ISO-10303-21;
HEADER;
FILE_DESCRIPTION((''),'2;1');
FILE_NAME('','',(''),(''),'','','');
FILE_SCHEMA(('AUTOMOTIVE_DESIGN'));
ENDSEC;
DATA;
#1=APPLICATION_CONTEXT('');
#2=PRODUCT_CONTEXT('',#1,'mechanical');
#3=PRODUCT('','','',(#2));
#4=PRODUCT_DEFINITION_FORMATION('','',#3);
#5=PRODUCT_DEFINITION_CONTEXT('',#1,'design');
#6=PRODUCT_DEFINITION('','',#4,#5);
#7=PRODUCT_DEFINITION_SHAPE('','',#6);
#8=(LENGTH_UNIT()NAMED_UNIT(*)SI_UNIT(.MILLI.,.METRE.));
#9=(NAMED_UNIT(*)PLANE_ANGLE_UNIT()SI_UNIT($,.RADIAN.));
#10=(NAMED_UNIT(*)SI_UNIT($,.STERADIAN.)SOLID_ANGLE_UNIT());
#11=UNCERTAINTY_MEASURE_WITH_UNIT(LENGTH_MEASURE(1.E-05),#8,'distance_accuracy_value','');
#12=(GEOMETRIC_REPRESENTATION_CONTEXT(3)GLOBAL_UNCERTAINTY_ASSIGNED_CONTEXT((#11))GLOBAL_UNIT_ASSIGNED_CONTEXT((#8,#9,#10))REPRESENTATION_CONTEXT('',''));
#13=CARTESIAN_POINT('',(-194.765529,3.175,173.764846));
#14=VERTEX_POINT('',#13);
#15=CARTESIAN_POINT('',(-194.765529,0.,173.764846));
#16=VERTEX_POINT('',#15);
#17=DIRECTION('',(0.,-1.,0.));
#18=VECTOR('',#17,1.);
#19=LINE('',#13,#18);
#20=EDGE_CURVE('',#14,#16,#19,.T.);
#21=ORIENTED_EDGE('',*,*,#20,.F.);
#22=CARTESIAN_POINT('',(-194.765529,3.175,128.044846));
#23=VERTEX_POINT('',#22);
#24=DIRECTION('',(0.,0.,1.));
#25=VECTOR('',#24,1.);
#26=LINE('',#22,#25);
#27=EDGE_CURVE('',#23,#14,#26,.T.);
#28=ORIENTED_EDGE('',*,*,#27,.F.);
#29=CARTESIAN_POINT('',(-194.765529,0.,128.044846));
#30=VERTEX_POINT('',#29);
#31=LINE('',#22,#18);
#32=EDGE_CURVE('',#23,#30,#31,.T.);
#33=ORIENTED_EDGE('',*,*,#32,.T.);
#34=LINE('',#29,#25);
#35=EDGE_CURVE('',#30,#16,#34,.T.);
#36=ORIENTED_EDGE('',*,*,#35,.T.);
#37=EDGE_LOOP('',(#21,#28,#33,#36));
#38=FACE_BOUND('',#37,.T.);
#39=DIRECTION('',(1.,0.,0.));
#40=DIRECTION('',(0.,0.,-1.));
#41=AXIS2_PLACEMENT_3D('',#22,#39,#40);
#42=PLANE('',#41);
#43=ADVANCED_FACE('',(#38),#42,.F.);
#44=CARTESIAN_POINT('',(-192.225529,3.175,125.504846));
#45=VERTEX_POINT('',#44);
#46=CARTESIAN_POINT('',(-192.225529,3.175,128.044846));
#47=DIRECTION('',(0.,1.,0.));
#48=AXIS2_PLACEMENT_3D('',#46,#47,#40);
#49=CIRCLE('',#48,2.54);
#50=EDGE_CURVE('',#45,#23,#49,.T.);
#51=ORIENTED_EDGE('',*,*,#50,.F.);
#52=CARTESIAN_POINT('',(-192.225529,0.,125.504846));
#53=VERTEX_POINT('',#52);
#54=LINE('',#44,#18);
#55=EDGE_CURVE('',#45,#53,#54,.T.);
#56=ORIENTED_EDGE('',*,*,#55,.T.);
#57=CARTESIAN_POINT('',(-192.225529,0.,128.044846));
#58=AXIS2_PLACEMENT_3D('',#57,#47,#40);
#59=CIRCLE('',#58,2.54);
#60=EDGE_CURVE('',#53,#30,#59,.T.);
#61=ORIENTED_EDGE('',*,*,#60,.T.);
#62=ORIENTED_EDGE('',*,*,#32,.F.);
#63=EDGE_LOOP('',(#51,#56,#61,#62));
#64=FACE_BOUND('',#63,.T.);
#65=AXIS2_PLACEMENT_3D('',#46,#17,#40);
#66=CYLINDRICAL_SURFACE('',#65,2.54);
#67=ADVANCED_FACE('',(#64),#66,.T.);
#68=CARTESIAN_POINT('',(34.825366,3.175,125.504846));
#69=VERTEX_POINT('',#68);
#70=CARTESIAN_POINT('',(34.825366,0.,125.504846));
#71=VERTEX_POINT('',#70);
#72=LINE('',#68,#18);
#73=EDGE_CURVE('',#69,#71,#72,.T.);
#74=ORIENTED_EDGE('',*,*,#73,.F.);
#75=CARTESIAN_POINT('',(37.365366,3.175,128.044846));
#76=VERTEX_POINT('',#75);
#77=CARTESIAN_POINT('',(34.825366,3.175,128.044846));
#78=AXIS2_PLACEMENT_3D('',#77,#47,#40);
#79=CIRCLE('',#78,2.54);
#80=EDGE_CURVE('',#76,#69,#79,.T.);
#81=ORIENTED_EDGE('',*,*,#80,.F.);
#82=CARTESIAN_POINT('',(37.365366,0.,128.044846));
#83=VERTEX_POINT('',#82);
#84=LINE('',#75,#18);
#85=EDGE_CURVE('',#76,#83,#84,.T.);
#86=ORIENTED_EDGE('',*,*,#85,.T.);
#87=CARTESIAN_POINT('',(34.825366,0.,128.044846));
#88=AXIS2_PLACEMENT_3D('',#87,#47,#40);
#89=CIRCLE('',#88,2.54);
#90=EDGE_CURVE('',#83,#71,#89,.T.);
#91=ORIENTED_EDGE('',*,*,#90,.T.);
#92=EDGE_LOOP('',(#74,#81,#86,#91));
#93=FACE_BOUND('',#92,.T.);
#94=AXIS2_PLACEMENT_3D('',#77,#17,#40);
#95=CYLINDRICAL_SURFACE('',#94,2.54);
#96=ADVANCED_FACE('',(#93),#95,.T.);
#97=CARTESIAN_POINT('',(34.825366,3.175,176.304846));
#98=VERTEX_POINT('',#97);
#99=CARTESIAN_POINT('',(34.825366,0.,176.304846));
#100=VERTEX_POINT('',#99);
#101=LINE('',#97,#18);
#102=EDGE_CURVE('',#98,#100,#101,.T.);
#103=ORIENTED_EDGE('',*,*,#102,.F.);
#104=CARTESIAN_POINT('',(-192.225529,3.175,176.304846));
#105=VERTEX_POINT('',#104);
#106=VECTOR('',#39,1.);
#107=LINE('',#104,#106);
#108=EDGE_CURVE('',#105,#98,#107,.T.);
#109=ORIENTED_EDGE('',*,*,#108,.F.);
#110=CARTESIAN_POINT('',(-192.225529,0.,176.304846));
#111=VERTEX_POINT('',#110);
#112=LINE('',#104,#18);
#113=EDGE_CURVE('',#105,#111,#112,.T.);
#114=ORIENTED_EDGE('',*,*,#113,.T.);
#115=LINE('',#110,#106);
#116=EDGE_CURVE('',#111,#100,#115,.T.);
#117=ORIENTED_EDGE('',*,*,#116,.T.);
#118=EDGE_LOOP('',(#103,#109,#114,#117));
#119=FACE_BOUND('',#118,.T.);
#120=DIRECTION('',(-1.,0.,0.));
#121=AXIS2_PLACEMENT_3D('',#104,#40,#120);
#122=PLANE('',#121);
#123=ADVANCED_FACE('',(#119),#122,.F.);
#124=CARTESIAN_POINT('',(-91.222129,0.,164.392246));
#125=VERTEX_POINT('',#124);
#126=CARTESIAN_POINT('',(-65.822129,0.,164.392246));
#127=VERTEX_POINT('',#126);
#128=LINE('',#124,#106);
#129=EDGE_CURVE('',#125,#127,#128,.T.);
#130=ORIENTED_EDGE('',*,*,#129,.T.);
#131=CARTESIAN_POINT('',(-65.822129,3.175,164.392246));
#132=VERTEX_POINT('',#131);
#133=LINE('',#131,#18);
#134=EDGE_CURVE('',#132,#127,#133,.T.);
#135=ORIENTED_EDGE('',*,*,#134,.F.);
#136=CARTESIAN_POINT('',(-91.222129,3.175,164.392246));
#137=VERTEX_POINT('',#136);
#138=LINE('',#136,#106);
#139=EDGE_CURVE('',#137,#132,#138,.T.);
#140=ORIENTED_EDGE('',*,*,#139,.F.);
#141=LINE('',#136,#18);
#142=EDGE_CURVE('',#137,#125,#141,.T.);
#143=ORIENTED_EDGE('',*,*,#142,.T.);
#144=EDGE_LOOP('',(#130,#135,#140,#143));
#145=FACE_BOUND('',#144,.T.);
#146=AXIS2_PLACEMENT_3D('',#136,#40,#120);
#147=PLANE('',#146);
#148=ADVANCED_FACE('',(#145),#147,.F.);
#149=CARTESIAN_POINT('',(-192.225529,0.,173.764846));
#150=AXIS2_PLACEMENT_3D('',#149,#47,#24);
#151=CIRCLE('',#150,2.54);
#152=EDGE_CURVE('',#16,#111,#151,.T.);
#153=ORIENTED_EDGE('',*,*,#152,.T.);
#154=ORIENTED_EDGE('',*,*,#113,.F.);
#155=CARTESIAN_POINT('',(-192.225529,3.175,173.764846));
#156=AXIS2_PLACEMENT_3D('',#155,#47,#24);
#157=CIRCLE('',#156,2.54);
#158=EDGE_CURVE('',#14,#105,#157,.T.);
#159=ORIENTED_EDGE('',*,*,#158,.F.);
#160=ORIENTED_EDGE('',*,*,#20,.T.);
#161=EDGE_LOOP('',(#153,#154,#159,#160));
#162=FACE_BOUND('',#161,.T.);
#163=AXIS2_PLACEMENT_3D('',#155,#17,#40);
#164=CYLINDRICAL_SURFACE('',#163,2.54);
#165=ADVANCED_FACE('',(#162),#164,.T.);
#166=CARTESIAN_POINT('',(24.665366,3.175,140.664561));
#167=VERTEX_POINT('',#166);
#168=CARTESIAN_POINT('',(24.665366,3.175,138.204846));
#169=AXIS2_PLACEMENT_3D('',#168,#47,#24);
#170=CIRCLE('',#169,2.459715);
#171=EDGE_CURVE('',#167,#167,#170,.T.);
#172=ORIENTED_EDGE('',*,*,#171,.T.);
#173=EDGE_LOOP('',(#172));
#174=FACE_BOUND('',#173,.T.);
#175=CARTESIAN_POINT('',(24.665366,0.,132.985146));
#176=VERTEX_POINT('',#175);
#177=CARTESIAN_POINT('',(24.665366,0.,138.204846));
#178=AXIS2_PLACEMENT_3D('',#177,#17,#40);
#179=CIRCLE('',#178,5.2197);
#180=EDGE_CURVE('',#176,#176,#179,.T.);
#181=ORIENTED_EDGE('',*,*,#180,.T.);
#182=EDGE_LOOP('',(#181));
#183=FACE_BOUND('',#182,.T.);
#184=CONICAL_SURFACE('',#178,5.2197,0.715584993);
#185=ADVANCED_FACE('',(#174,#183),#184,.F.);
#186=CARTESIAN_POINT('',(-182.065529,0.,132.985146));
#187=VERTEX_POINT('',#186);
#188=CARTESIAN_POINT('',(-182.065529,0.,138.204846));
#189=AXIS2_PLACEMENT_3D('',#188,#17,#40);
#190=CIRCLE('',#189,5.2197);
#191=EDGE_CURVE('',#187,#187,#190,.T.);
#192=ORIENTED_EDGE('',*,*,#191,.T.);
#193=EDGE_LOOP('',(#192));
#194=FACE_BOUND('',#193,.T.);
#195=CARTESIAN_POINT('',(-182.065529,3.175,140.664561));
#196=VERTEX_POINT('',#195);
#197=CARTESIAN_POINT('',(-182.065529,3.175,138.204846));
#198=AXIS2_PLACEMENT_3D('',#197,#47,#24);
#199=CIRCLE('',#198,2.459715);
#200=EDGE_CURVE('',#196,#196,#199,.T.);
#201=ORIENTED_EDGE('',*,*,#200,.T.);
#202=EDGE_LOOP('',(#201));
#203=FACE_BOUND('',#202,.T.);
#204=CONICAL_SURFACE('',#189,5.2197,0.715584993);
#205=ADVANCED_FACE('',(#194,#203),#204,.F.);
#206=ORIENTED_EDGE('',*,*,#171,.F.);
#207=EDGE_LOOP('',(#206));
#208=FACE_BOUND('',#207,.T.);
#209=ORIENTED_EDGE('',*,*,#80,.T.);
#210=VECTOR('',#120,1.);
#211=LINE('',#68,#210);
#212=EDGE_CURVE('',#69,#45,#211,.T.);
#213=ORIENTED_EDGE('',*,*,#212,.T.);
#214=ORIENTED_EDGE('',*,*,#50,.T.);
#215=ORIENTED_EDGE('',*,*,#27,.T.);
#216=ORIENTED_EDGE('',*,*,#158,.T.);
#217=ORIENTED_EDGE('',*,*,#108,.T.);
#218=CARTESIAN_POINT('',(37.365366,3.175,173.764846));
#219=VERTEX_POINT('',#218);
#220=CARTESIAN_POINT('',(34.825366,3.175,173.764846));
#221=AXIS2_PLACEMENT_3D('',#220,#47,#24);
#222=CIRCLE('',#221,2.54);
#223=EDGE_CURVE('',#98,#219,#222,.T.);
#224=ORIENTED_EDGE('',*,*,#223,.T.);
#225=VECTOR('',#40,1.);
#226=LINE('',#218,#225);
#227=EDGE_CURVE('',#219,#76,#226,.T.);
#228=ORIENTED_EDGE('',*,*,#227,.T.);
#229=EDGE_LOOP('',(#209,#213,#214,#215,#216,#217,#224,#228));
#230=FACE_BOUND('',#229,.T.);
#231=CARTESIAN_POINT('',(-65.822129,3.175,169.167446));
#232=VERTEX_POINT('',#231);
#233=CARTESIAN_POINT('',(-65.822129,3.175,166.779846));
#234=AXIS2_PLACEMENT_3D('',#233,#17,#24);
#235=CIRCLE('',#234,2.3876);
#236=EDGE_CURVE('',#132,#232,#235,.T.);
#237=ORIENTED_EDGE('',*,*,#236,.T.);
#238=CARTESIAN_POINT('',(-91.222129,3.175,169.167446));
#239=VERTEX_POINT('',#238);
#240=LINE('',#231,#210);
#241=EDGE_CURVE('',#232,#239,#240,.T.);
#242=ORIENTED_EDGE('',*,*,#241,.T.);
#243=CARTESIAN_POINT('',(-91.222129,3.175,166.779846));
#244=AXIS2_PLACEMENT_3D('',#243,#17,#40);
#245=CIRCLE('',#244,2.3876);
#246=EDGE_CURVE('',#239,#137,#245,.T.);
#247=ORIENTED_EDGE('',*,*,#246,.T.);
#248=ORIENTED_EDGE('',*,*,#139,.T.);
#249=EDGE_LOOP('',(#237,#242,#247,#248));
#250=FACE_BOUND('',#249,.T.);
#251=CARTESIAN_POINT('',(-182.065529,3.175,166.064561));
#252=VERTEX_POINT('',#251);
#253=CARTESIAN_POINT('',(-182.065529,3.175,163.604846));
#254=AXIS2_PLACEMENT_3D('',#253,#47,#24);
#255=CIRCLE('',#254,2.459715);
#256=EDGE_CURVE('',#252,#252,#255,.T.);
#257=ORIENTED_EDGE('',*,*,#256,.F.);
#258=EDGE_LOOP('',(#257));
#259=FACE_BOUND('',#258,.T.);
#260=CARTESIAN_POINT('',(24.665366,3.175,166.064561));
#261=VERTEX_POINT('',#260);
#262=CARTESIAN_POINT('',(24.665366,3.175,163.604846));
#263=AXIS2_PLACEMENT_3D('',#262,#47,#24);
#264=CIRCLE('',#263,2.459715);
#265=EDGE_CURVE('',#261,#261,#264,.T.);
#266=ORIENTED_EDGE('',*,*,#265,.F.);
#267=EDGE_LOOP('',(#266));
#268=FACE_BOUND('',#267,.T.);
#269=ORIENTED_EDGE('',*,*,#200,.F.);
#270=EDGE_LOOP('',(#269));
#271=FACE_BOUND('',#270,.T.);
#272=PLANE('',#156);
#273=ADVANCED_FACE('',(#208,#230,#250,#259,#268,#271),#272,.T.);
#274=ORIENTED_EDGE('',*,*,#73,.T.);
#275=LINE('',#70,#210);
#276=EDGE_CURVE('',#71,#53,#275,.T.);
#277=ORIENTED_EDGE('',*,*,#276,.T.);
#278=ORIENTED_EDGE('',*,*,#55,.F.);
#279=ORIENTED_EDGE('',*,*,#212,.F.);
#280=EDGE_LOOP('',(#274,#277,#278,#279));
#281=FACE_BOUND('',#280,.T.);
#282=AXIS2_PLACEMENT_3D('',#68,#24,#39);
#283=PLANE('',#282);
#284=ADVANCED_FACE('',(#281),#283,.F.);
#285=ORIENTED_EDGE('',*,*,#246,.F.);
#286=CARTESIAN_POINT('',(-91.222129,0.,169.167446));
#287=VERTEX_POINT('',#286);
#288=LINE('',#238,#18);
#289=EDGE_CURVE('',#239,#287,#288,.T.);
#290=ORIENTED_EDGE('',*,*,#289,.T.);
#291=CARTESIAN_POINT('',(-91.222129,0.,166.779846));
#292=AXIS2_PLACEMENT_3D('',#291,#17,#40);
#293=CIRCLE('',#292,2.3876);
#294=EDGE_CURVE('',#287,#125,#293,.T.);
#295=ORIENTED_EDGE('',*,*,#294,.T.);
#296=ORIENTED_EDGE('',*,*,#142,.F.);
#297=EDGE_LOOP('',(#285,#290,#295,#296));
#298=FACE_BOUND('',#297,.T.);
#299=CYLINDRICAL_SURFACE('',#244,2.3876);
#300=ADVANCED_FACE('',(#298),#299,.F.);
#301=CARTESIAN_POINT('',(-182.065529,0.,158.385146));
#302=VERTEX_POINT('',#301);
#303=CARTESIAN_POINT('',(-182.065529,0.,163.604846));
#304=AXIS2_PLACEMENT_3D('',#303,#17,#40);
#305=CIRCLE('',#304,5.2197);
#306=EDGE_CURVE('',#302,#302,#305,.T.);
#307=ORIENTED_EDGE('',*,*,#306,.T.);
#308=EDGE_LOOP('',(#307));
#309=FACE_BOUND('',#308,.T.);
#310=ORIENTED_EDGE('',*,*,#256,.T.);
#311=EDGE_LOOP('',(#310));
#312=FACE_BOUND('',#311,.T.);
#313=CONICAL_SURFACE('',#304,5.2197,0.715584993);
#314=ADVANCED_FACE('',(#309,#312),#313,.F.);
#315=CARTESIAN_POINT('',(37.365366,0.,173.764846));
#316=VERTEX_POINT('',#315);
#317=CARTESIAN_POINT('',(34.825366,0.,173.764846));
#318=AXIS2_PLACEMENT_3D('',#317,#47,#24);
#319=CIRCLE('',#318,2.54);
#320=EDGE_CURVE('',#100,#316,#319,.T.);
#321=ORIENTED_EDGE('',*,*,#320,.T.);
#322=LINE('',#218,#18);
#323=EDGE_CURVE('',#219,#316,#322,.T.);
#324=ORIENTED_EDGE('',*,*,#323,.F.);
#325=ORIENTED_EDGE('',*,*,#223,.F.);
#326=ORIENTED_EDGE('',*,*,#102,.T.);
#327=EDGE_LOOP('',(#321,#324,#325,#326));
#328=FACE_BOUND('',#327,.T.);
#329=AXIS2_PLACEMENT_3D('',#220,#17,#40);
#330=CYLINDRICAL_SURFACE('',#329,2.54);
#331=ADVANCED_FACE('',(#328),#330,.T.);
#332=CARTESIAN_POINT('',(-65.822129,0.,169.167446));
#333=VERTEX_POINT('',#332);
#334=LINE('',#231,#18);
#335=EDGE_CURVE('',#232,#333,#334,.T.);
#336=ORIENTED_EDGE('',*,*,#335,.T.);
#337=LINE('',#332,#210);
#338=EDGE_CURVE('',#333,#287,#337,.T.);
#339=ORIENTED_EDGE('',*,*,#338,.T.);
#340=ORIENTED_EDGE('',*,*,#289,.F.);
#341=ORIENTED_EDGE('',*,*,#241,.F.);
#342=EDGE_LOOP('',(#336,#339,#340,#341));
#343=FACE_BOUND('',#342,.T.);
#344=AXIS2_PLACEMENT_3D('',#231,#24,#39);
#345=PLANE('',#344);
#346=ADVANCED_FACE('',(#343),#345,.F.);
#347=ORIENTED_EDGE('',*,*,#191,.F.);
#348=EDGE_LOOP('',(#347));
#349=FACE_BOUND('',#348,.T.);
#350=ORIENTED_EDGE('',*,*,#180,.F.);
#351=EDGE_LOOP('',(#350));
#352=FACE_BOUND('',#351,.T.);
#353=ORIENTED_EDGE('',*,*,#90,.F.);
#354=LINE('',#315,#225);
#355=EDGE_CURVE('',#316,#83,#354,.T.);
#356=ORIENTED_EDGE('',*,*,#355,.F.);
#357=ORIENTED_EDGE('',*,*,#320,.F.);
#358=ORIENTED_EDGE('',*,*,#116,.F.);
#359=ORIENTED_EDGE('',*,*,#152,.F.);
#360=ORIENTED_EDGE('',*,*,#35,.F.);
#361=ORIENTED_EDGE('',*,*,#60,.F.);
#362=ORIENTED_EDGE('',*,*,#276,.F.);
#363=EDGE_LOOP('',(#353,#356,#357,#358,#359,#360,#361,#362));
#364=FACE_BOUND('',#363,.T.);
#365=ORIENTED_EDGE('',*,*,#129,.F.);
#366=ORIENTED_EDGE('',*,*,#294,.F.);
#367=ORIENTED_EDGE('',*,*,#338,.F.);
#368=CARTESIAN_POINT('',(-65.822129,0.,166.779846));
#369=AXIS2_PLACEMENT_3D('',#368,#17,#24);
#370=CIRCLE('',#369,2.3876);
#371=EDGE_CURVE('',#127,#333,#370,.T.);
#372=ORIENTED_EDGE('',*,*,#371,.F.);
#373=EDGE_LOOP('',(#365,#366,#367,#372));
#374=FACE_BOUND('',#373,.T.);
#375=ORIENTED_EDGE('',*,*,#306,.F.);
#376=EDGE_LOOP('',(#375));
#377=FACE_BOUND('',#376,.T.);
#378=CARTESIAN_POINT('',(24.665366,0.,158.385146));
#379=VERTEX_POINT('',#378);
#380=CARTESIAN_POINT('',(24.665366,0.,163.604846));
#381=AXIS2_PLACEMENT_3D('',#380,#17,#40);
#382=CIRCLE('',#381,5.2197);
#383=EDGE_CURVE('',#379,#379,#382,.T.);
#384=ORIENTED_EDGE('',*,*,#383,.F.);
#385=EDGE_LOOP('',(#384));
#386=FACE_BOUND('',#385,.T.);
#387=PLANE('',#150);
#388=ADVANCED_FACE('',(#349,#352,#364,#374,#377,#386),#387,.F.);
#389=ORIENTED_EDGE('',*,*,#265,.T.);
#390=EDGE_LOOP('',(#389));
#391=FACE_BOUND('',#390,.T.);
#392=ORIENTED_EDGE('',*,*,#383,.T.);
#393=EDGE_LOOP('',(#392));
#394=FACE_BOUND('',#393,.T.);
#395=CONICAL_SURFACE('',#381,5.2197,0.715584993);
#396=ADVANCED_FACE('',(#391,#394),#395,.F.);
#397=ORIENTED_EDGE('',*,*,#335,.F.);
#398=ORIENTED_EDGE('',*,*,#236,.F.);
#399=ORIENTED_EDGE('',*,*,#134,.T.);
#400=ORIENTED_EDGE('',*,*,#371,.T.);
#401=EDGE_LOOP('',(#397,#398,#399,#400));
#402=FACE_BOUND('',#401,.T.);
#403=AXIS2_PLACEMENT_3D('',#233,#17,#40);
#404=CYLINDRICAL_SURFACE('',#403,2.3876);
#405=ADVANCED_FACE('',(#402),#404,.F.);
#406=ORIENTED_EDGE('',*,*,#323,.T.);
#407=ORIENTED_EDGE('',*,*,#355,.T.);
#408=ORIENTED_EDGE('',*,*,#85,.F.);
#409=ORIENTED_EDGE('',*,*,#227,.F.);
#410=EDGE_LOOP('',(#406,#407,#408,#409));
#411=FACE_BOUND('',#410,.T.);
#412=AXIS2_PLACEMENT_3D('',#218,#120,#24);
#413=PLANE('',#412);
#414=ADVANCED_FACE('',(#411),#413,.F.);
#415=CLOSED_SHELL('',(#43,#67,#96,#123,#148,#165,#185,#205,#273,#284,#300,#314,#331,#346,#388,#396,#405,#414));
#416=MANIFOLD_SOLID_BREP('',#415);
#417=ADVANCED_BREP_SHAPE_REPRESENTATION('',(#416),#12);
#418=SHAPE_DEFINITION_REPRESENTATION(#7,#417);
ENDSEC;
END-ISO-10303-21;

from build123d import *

# Parameters (mm, degrees)
BOSS_EXTRUDE1_DEPTH                   = 3.175
F_10_0_1935_DIAMETER_HOLE1_AT_2_COUNT = 2
F_10_0_1935_DIAMETER_HOLE1_AT_2_PITCH = 25.4
F_10_0_1935_DIAMETER_HOLE1_AT_3_COUNT = 2
F_10_0_1935_DIAMETER_HOLE1_AT_3_PITCH = 208.285436421
F_10_0_1935_DIAMETER_HOLE1_AT_4_COUNT = 2
F_10_0_1935_DIAMETER_HOLE1_AT_4_PITCH = 206.730895187
CUT_EXTRUDE1_DEPTH                    = 3.175


with BuildPart() as part:
    # Sketch1 → Boss-Extrude1 (new body)
    with BuildSketch(Plane(origin=(0, 0, 0), x_dir=(1, 0, 0), z_dir=(0, 1, 0))):
        with BuildLine():
            Line((34.825366444, -125.50484625), (-192.225528743, -125.50484625))
            ThreePointArc((-192.225528743, -125.50484625), (-194.021579967, -126.248795026), (-194.765528743, -128.04484625))
            Line((-194.765528743, -128.04484625), (-194.765528743, -173.76484625))
            ThreePointArc((-194.765528743, -173.76484625), (-194.021579967, -175.560897474), (-192.225528743, -176.30484625))
            Line((-192.225528743, -176.30484625), (34.825366444, -176.30484625))
            ThreePointArc((34.825366444, -176.30484625), (36.621417669, -175.560897474), (37.365366444, -173.76484625))
            Line((37.365366444, -173.76484625), (37.365366444, -128.04484625))
            ThreePointArc((37.365366444, -128.04484625), (36.621417669, -126.248795026), (34.825366444, -125.50484625))
        make_face()
    extrude(amount=BOSS_EXTRUDE1_DEPTH)

    # Sketch4 → #10 (0.1935) Diameter Hole1 (revolve, cut)
    with BuildSketch(Plane(origin=(24.665366444, 0, 163.60484625), x_dir=(0, 0, -1), z_dir=(1, 0, 0))):
        Polygon((0, 0), (0, 3.175), (2.45745, 3.175), (2.45745, 3.177605133), (5.2197, 0), align=None)
    f_10_0_1935_diameter_hole1 = revolve(axis=Axis((24.665366444, -6.35, 163.60484625), (0, 1, 0)), mode=Mode.SUBTRACT)

    # #10 (0.1935) Diameter Hole1 at 2: #10 (0.1935) Diameter Hole1 ×2
    with Locations(*[(0, 0, -i * F_10_0_1935_DIAMETER_HOLE1_AT_2_PITCH) for i in range(1, F_10_0_1935_DIAMETER_HOLE1_AT_2_COUNT)]):
        add(f_10_0_1935_diameter_hole1, mode=Mode.SUBTRACT)

    # #10 (0.1935) Diameter Hole1 at 3: #10 (0.1935) Diameter Hole1 ×2
    with Locations(*[Vector(-0.9925364861794038, 0, -0.12194803648539032) * (i * F_10_0_1935_DIAMETER_HOLE1_AT_3_PITCH) for i in range(1, F_10_0_1935_DIAMETER_HOLE1_AT_3_COUNT)]):
        add(f_10_0_1935_diameter_hole1, mode=Mode.SUBTRACT)

    # #10 (0.1935) Diameter Hole1 at 4: #10 (0.1935) Diameter Hole1 ×2
    with Locations(*[(-i * F_10_0_1935_DIAMETER_HOLE1_AT_4_PITCH, 0, 0) for i in range(1, F_10_0_1935_DIAMETER_HOLE1_AT_4_COUNT)]):
        add(f_10_0_1935_diameter_hole1, mode=Mode.SUBTRACT)

    # Sketch6 → Cut-Extrude1 (cut)
    with BuildSketch(Plane.XZ):
        with BuildLine():
            Line((-65.822128749, 169.16744625), (-91.222128749, 169.16744625))
            ThreePointArc((-91.222128749, 169.16744625), (-93.609728749, 166.77984625), (-91.222128749, 164.39224625))
            Line((-91.222128749, 164.39224625), (-65.822128749, 164.39224625))
            ThreePointArc((-65.822128749, 164.39224625), (-63.434528749, 166.77984625), (-65.822128749, 169.16744625))
        make_face()
    extrude(amount=-CUT_EXTRUDE1_DEPTH, mode=Mode.SUBTRACT)


solid = part.part
